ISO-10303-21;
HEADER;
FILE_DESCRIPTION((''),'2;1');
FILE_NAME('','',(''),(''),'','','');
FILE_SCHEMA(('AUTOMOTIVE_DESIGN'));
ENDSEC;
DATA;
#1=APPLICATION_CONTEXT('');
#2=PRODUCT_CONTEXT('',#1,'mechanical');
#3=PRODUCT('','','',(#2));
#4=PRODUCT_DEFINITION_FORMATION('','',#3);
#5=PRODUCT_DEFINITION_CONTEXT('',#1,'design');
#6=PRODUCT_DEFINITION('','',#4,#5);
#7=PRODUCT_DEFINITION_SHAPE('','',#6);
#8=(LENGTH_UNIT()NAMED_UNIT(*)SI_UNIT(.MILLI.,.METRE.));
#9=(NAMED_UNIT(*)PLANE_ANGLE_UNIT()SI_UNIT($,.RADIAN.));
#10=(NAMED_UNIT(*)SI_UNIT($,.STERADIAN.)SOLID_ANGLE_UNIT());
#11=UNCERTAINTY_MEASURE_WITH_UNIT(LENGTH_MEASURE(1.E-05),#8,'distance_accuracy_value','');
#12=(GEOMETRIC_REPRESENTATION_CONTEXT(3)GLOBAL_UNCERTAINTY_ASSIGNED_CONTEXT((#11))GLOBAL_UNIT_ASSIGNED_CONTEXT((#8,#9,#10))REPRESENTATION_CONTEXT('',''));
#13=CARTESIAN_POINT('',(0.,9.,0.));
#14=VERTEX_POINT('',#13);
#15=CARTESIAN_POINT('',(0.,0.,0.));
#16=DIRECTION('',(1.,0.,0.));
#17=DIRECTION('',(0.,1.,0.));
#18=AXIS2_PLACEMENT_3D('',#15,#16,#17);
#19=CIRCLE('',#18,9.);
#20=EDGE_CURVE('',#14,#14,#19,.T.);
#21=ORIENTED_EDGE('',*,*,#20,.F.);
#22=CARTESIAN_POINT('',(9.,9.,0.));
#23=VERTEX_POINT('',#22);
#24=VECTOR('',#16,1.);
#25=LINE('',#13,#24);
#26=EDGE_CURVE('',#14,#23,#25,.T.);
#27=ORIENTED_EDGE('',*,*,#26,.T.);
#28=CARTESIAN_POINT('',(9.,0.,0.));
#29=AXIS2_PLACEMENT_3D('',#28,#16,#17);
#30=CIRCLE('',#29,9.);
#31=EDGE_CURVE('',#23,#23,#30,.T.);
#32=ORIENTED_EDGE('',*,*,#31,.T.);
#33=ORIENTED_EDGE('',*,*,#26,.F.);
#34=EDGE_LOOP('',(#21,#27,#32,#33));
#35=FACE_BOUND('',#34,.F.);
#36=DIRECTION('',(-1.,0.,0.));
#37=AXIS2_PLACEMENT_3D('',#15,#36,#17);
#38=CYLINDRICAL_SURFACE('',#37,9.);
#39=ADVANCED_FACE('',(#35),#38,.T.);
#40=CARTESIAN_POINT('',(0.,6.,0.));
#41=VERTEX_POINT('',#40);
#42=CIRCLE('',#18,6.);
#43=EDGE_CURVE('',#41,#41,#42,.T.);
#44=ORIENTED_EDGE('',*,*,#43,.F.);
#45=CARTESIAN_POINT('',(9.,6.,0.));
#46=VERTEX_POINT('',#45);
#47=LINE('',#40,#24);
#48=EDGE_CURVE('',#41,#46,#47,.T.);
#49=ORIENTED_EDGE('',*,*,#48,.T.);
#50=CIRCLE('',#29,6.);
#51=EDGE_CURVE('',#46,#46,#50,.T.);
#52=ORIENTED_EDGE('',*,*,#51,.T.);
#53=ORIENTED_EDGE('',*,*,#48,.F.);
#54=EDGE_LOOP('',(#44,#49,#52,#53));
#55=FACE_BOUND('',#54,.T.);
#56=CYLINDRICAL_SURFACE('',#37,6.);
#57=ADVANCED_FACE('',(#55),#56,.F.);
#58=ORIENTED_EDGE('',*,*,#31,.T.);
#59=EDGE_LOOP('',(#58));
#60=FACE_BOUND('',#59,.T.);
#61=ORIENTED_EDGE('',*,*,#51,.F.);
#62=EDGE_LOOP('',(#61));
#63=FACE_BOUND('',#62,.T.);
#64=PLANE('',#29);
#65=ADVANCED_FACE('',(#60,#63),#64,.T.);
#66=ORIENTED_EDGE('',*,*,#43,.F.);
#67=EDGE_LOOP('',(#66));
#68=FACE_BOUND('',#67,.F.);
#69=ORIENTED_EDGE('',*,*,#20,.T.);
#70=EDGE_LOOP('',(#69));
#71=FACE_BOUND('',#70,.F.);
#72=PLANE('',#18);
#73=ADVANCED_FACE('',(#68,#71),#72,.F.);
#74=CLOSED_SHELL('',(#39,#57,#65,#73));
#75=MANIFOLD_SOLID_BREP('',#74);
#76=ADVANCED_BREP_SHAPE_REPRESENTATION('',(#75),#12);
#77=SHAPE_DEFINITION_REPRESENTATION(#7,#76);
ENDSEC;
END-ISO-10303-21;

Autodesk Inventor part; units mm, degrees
ref_plane "YZ Plane" through (0, 0, 0) normal (1, 0, 0) x (0, 1, 0)
ref_plane "XZ Plane" through (0, 0, 0) normal (0, 1, 0) x (-1, 0, 0)
ref_plane "XY Plane" through (0, 0, 0) normal (0, 0, 1) x (1, 0, 0)
sketch "Sketch2" plane through (0, 0, 0) normal (1, 0, 0) x (0, 1, 0)
  circle A0 centre (0, 0) radius 9
  circle A1 centre (0, 0) radius 6
  dimension "d2" = 18
  dimension "d3" = 12
extrude "Extrusion1" add sketch "Sketch2" along normal blind 9
properties part number "DNM pin 12x6x40 spacer.STEP"
